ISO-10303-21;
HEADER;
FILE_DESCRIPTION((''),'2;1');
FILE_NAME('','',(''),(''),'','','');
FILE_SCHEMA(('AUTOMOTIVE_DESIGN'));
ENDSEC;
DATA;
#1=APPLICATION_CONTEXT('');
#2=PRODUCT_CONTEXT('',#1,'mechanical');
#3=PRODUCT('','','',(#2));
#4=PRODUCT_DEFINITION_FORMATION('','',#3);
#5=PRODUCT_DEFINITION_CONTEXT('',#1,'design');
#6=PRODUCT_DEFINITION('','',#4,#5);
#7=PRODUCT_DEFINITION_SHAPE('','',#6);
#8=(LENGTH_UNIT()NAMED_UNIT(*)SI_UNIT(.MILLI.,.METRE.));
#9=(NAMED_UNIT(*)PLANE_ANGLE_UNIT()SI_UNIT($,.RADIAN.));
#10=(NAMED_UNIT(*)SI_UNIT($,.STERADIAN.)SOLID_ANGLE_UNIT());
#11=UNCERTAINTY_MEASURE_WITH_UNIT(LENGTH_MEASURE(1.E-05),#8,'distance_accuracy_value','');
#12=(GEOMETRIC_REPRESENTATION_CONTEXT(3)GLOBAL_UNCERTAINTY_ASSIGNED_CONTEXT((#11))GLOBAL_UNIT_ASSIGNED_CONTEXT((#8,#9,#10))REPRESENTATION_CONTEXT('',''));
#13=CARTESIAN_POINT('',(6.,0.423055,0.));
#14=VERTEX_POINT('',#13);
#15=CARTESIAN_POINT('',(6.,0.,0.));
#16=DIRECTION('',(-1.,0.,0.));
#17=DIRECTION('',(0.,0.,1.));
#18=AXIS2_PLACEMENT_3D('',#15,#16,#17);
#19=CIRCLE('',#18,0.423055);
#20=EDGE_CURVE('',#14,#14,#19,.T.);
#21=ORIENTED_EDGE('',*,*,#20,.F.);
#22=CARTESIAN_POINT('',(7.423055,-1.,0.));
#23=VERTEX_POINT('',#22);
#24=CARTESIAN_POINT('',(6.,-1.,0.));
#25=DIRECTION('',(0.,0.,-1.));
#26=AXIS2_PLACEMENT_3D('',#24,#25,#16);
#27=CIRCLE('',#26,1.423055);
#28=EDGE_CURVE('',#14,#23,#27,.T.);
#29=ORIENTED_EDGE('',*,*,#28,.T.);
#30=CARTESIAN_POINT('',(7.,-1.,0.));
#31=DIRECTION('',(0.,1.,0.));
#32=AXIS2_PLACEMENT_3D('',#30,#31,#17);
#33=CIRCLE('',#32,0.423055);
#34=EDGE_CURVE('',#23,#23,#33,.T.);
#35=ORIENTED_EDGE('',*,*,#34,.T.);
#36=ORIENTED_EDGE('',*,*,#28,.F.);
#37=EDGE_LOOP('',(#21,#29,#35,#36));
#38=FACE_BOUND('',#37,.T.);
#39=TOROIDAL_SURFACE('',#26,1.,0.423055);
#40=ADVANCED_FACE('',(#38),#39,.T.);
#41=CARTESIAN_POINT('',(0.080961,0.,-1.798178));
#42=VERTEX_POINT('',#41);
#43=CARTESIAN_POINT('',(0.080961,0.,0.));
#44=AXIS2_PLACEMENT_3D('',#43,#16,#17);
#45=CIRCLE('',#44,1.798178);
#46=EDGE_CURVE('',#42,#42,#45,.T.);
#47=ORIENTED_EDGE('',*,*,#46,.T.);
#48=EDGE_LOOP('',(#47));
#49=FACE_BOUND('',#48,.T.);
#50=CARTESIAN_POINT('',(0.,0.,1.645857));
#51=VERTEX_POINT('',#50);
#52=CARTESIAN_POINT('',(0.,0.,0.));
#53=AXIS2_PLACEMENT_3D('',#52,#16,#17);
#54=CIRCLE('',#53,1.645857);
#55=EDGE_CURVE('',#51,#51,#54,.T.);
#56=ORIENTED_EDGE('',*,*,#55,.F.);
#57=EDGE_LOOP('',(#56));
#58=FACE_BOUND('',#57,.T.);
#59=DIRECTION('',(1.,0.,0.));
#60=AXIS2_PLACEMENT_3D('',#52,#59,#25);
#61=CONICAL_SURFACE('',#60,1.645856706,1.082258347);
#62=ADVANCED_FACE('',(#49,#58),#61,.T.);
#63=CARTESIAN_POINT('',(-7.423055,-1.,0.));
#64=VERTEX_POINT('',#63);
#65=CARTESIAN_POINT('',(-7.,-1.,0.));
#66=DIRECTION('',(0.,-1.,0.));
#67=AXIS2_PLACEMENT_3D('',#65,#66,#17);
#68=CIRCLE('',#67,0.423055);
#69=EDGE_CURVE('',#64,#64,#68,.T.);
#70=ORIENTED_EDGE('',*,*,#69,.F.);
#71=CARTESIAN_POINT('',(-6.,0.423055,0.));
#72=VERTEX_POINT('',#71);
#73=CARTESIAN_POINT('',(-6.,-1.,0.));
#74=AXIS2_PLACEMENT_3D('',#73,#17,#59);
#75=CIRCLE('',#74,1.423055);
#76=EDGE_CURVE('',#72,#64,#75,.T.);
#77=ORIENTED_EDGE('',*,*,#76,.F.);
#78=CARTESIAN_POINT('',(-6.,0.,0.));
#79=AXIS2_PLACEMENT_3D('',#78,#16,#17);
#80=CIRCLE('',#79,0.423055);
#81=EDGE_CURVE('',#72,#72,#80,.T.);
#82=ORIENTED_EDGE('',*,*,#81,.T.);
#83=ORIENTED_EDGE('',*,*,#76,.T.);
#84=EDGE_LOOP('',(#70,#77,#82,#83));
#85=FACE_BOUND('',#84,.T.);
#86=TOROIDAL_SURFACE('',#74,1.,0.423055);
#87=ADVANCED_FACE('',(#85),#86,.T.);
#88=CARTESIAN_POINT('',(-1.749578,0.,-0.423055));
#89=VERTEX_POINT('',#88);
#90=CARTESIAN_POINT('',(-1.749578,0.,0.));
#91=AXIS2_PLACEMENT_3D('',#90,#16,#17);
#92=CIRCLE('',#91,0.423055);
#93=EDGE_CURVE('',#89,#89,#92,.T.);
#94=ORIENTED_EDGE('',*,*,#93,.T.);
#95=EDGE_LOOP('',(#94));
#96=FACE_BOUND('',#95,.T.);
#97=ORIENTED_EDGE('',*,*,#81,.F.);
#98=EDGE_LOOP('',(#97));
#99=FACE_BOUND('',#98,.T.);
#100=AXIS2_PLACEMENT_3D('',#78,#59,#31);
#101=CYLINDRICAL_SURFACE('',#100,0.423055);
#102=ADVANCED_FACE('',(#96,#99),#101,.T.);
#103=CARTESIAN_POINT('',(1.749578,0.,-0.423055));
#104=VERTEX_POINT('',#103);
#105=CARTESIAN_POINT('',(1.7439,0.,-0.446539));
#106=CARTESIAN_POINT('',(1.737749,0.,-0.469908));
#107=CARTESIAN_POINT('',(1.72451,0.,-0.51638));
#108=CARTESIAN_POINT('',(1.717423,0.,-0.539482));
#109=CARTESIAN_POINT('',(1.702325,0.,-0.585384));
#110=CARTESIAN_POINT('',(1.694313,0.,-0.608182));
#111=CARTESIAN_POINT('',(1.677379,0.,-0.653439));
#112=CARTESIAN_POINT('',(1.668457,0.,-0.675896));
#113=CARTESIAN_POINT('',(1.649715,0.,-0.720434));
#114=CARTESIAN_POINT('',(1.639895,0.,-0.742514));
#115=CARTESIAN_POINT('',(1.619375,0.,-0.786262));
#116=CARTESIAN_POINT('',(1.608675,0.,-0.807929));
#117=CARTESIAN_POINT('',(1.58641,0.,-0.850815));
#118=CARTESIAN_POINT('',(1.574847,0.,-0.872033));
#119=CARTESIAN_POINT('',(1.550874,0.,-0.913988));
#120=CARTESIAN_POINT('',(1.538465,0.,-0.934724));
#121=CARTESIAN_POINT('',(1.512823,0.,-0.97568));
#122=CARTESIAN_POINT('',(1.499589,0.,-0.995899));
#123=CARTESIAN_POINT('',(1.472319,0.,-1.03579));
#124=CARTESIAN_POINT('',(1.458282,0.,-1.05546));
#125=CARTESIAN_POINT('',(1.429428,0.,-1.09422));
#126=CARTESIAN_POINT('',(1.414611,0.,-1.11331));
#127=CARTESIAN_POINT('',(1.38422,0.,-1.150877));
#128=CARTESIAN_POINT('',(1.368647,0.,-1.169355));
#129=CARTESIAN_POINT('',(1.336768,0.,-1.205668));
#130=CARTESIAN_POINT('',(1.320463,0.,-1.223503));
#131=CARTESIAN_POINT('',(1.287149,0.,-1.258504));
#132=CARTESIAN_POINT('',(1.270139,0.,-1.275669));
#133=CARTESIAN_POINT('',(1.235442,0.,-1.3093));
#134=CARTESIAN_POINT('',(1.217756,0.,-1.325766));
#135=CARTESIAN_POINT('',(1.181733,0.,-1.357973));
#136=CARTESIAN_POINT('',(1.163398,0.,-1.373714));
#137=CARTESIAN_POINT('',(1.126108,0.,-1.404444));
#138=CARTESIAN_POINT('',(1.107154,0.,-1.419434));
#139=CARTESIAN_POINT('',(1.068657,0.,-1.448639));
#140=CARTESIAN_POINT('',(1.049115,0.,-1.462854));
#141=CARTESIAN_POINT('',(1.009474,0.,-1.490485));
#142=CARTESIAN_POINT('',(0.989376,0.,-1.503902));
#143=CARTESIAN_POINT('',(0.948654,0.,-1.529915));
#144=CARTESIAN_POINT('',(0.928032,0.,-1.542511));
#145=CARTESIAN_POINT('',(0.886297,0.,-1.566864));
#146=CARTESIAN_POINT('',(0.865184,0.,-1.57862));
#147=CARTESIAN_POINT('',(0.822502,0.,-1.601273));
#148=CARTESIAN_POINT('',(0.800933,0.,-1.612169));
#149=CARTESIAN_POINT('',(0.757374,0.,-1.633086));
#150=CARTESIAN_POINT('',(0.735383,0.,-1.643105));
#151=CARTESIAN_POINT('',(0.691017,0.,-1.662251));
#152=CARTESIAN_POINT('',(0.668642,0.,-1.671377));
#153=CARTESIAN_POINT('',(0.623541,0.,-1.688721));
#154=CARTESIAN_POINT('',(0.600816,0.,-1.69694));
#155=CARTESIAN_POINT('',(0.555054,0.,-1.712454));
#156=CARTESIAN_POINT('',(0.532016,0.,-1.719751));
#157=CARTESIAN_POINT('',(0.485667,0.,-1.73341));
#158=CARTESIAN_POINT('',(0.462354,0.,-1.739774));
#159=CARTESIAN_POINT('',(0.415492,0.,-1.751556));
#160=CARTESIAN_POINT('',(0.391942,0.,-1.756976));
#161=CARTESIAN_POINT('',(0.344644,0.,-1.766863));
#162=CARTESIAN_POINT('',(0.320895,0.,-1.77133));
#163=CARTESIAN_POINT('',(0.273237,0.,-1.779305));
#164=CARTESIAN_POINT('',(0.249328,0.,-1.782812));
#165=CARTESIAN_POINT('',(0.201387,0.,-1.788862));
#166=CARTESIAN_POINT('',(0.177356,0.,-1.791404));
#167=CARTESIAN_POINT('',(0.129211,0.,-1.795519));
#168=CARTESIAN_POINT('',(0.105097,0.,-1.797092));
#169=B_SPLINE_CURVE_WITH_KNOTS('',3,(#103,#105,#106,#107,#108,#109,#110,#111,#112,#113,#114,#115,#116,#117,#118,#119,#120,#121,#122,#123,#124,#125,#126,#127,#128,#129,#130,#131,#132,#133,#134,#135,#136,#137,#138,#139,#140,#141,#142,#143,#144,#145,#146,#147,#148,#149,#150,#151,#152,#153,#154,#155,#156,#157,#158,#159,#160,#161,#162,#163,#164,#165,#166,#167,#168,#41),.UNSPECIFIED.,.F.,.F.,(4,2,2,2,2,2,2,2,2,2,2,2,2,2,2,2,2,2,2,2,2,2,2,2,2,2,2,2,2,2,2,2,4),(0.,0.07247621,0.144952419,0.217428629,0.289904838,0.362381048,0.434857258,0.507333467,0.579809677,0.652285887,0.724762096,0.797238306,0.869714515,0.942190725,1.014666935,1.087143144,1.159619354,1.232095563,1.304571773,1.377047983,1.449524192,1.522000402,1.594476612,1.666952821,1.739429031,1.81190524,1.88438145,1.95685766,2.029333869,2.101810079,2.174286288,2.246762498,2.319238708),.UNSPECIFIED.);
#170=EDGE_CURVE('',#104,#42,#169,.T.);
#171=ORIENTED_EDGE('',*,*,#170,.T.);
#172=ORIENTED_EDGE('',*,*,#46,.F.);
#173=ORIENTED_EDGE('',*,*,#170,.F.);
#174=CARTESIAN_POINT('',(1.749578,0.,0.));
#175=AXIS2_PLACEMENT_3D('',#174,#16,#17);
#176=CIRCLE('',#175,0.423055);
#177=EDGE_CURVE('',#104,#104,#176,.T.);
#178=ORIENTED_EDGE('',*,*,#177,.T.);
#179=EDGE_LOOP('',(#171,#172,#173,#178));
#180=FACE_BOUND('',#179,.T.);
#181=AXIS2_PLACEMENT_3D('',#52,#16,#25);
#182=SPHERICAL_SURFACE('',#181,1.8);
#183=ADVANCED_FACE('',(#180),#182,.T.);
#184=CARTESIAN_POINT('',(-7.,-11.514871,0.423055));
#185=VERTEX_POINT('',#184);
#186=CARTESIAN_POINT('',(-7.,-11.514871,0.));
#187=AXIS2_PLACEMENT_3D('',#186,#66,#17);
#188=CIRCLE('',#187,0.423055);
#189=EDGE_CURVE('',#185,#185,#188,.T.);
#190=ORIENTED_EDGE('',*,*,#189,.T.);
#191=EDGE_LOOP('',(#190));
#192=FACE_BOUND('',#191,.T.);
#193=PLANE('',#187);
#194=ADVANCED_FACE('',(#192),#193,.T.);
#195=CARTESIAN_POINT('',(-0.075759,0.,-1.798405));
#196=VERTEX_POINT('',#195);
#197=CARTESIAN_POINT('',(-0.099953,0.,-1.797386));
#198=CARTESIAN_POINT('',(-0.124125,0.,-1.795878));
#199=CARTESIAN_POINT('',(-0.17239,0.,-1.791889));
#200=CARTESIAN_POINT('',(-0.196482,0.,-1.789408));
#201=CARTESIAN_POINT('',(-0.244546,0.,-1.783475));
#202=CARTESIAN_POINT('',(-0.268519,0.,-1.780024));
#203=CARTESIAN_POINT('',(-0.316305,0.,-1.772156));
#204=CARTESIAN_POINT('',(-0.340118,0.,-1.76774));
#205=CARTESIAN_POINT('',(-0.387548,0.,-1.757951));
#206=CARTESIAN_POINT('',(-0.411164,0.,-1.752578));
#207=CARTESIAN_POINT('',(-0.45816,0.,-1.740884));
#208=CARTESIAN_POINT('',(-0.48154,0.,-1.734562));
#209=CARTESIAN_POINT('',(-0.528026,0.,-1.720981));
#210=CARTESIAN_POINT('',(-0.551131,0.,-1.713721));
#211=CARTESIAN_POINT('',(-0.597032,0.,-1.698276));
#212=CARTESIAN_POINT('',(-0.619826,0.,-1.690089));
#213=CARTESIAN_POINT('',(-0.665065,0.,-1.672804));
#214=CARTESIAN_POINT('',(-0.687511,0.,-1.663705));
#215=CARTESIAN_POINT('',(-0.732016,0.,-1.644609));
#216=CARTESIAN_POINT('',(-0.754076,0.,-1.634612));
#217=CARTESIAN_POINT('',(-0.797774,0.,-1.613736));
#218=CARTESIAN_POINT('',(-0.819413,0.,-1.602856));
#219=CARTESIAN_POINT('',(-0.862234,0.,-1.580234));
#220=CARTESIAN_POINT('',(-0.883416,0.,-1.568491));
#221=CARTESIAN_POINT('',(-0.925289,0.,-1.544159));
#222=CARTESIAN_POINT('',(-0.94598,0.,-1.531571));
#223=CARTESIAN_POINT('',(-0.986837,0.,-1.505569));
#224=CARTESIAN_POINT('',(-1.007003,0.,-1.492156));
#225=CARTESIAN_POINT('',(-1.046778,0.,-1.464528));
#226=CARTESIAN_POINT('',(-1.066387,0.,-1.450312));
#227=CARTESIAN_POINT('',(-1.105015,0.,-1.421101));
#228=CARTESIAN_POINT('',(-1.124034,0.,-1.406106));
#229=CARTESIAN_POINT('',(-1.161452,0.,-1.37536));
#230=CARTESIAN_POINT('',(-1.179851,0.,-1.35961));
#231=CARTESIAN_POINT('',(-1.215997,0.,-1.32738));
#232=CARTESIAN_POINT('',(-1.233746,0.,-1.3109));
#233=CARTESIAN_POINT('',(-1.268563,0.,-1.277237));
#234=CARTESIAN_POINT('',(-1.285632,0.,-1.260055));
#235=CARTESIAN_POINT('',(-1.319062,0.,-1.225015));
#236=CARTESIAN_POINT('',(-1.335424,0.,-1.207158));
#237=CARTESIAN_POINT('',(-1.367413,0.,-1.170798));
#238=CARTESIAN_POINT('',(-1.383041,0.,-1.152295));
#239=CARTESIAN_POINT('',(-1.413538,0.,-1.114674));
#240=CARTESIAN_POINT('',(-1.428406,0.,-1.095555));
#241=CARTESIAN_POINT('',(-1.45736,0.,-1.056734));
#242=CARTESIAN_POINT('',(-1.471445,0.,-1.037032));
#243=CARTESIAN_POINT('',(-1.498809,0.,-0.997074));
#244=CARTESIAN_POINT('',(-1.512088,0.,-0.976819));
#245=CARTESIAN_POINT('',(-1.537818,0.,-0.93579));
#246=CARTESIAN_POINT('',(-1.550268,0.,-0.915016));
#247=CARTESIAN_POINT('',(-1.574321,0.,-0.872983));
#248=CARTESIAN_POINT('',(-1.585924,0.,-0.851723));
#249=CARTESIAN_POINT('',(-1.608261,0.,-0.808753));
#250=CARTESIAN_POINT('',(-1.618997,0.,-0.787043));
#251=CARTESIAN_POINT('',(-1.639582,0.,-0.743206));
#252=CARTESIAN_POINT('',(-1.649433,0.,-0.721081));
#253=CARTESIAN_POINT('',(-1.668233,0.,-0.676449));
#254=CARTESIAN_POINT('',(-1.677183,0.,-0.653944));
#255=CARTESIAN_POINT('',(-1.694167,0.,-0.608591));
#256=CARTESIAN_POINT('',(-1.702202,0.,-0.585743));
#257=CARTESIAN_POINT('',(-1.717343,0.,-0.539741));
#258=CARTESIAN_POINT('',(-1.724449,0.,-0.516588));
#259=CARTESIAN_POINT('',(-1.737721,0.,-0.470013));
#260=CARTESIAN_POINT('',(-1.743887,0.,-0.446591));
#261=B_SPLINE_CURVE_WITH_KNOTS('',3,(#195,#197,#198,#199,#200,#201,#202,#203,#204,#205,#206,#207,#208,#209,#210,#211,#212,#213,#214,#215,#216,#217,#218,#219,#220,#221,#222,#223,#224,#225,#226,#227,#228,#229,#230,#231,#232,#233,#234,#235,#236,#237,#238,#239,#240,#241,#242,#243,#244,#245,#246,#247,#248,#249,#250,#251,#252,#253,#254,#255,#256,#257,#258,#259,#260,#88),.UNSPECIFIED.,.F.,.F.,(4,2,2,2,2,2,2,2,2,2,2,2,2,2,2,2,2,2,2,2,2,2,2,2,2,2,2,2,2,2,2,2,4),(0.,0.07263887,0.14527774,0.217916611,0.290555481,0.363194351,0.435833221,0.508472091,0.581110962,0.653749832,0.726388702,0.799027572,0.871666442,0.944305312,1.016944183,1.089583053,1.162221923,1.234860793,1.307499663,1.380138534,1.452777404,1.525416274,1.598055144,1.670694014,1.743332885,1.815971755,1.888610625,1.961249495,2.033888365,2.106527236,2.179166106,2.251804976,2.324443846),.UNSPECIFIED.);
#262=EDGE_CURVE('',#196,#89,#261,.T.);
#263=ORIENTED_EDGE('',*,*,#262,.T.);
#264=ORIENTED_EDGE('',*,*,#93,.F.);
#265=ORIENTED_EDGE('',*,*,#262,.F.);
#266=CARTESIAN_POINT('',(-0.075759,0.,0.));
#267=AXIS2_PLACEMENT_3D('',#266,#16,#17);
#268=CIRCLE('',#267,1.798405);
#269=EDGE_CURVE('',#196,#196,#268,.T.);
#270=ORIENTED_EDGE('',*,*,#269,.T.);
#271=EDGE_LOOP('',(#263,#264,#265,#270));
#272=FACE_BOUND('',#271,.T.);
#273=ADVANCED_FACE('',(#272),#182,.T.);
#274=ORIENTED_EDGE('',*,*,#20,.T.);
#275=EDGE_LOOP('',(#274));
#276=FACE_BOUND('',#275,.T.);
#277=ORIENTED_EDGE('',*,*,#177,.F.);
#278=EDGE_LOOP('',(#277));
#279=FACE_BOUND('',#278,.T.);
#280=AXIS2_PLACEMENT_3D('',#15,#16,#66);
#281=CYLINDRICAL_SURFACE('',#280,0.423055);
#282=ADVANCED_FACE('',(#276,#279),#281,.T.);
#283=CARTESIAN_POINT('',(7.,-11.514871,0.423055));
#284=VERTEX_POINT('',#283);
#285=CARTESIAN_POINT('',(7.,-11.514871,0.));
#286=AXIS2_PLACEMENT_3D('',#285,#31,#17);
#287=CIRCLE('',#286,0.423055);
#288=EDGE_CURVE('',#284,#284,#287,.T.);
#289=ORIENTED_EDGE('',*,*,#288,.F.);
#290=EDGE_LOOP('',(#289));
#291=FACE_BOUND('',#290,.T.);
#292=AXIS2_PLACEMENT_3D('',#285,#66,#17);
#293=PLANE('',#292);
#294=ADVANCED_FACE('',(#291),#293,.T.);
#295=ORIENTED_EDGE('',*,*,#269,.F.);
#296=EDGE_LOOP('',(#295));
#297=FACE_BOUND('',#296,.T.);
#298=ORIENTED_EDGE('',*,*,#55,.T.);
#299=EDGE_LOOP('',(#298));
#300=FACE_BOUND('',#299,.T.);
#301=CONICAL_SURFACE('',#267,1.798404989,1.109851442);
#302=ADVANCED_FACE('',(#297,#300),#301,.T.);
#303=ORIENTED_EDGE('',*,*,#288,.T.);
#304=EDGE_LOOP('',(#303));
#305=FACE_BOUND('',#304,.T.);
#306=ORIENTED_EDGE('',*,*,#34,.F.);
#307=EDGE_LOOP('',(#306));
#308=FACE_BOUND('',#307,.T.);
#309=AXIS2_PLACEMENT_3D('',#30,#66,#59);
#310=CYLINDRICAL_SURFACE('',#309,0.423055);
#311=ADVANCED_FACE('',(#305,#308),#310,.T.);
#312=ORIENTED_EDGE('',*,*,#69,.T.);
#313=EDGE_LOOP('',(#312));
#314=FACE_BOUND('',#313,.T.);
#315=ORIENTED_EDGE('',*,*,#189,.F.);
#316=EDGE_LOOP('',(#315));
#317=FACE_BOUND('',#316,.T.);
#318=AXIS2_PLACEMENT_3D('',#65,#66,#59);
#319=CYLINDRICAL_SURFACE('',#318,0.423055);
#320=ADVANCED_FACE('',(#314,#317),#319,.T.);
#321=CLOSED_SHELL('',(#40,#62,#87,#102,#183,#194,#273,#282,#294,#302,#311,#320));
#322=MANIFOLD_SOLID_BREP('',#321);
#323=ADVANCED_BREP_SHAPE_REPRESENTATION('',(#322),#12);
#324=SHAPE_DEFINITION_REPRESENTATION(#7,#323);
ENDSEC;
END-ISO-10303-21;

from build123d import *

# Parameters (mm, degrees)
SKETCH_3_R = 0.423054932


with BuildPart() as part:
    # Эскиз1 → Повернуть2 (revolve)
    with BuildSketch(Plane(origin=(0, 0, 0), x_dir=(1, 0, 0), z_dir=(0, 1, 0))):
        with BuildLine():
            Line((-1.749578385, 0.423054932), (-1.749578385, 0))
            Line((-1.749578385, 0), (1.749578385, 0))
            Line((1.749578385, 0), (1.749578385, 0.423054932))
            ThreePointArc((1.749578385, 0.423054932), (1.144753012, 1.389079027), (0.080960724, 1.798178345))
            Line((0.080960724, 1.798178345), (0, 1.645856706))
            Line((0, 1.645856706), (-0.075759465, 1.798404989))
            ThreePointArc((-0.075759465, 1.798404989), (-1.142742977, 1.390733076), (-1.749578385, 0.423054932))
        make_face()
    revolve(axis=Axis((-29.751182373, 0, 0), (1, 0, 0)))

    # По траектории1: sweep along a path in Эскиз2
    with BuildLine(Plane.XY) as sweep_1_path:
        Line((0, 0), (-6, 0))
        ThreePointArc((-6, 0), (-6.707106781, -0.292893219), (-7, -1))
        Line((-7, -1), (-7, -11.514871198))
    # Эскиз3 → По траектории1 (sweep)
    with BuildSketch(Plane.ZY.offset(1.749578385)):
        Circle(SKETCH_3_R)
    sweep_1 = sweep(path=sweep_1_path.line)

    # Зеркальное отражение1: По траектории1 across plane
    add(sweep_1.mirror(Plane(origin=(0, 0, 0), x_dir=(0, 0, 1), z_dir=(1, 0, 0))))


solid = part.part
